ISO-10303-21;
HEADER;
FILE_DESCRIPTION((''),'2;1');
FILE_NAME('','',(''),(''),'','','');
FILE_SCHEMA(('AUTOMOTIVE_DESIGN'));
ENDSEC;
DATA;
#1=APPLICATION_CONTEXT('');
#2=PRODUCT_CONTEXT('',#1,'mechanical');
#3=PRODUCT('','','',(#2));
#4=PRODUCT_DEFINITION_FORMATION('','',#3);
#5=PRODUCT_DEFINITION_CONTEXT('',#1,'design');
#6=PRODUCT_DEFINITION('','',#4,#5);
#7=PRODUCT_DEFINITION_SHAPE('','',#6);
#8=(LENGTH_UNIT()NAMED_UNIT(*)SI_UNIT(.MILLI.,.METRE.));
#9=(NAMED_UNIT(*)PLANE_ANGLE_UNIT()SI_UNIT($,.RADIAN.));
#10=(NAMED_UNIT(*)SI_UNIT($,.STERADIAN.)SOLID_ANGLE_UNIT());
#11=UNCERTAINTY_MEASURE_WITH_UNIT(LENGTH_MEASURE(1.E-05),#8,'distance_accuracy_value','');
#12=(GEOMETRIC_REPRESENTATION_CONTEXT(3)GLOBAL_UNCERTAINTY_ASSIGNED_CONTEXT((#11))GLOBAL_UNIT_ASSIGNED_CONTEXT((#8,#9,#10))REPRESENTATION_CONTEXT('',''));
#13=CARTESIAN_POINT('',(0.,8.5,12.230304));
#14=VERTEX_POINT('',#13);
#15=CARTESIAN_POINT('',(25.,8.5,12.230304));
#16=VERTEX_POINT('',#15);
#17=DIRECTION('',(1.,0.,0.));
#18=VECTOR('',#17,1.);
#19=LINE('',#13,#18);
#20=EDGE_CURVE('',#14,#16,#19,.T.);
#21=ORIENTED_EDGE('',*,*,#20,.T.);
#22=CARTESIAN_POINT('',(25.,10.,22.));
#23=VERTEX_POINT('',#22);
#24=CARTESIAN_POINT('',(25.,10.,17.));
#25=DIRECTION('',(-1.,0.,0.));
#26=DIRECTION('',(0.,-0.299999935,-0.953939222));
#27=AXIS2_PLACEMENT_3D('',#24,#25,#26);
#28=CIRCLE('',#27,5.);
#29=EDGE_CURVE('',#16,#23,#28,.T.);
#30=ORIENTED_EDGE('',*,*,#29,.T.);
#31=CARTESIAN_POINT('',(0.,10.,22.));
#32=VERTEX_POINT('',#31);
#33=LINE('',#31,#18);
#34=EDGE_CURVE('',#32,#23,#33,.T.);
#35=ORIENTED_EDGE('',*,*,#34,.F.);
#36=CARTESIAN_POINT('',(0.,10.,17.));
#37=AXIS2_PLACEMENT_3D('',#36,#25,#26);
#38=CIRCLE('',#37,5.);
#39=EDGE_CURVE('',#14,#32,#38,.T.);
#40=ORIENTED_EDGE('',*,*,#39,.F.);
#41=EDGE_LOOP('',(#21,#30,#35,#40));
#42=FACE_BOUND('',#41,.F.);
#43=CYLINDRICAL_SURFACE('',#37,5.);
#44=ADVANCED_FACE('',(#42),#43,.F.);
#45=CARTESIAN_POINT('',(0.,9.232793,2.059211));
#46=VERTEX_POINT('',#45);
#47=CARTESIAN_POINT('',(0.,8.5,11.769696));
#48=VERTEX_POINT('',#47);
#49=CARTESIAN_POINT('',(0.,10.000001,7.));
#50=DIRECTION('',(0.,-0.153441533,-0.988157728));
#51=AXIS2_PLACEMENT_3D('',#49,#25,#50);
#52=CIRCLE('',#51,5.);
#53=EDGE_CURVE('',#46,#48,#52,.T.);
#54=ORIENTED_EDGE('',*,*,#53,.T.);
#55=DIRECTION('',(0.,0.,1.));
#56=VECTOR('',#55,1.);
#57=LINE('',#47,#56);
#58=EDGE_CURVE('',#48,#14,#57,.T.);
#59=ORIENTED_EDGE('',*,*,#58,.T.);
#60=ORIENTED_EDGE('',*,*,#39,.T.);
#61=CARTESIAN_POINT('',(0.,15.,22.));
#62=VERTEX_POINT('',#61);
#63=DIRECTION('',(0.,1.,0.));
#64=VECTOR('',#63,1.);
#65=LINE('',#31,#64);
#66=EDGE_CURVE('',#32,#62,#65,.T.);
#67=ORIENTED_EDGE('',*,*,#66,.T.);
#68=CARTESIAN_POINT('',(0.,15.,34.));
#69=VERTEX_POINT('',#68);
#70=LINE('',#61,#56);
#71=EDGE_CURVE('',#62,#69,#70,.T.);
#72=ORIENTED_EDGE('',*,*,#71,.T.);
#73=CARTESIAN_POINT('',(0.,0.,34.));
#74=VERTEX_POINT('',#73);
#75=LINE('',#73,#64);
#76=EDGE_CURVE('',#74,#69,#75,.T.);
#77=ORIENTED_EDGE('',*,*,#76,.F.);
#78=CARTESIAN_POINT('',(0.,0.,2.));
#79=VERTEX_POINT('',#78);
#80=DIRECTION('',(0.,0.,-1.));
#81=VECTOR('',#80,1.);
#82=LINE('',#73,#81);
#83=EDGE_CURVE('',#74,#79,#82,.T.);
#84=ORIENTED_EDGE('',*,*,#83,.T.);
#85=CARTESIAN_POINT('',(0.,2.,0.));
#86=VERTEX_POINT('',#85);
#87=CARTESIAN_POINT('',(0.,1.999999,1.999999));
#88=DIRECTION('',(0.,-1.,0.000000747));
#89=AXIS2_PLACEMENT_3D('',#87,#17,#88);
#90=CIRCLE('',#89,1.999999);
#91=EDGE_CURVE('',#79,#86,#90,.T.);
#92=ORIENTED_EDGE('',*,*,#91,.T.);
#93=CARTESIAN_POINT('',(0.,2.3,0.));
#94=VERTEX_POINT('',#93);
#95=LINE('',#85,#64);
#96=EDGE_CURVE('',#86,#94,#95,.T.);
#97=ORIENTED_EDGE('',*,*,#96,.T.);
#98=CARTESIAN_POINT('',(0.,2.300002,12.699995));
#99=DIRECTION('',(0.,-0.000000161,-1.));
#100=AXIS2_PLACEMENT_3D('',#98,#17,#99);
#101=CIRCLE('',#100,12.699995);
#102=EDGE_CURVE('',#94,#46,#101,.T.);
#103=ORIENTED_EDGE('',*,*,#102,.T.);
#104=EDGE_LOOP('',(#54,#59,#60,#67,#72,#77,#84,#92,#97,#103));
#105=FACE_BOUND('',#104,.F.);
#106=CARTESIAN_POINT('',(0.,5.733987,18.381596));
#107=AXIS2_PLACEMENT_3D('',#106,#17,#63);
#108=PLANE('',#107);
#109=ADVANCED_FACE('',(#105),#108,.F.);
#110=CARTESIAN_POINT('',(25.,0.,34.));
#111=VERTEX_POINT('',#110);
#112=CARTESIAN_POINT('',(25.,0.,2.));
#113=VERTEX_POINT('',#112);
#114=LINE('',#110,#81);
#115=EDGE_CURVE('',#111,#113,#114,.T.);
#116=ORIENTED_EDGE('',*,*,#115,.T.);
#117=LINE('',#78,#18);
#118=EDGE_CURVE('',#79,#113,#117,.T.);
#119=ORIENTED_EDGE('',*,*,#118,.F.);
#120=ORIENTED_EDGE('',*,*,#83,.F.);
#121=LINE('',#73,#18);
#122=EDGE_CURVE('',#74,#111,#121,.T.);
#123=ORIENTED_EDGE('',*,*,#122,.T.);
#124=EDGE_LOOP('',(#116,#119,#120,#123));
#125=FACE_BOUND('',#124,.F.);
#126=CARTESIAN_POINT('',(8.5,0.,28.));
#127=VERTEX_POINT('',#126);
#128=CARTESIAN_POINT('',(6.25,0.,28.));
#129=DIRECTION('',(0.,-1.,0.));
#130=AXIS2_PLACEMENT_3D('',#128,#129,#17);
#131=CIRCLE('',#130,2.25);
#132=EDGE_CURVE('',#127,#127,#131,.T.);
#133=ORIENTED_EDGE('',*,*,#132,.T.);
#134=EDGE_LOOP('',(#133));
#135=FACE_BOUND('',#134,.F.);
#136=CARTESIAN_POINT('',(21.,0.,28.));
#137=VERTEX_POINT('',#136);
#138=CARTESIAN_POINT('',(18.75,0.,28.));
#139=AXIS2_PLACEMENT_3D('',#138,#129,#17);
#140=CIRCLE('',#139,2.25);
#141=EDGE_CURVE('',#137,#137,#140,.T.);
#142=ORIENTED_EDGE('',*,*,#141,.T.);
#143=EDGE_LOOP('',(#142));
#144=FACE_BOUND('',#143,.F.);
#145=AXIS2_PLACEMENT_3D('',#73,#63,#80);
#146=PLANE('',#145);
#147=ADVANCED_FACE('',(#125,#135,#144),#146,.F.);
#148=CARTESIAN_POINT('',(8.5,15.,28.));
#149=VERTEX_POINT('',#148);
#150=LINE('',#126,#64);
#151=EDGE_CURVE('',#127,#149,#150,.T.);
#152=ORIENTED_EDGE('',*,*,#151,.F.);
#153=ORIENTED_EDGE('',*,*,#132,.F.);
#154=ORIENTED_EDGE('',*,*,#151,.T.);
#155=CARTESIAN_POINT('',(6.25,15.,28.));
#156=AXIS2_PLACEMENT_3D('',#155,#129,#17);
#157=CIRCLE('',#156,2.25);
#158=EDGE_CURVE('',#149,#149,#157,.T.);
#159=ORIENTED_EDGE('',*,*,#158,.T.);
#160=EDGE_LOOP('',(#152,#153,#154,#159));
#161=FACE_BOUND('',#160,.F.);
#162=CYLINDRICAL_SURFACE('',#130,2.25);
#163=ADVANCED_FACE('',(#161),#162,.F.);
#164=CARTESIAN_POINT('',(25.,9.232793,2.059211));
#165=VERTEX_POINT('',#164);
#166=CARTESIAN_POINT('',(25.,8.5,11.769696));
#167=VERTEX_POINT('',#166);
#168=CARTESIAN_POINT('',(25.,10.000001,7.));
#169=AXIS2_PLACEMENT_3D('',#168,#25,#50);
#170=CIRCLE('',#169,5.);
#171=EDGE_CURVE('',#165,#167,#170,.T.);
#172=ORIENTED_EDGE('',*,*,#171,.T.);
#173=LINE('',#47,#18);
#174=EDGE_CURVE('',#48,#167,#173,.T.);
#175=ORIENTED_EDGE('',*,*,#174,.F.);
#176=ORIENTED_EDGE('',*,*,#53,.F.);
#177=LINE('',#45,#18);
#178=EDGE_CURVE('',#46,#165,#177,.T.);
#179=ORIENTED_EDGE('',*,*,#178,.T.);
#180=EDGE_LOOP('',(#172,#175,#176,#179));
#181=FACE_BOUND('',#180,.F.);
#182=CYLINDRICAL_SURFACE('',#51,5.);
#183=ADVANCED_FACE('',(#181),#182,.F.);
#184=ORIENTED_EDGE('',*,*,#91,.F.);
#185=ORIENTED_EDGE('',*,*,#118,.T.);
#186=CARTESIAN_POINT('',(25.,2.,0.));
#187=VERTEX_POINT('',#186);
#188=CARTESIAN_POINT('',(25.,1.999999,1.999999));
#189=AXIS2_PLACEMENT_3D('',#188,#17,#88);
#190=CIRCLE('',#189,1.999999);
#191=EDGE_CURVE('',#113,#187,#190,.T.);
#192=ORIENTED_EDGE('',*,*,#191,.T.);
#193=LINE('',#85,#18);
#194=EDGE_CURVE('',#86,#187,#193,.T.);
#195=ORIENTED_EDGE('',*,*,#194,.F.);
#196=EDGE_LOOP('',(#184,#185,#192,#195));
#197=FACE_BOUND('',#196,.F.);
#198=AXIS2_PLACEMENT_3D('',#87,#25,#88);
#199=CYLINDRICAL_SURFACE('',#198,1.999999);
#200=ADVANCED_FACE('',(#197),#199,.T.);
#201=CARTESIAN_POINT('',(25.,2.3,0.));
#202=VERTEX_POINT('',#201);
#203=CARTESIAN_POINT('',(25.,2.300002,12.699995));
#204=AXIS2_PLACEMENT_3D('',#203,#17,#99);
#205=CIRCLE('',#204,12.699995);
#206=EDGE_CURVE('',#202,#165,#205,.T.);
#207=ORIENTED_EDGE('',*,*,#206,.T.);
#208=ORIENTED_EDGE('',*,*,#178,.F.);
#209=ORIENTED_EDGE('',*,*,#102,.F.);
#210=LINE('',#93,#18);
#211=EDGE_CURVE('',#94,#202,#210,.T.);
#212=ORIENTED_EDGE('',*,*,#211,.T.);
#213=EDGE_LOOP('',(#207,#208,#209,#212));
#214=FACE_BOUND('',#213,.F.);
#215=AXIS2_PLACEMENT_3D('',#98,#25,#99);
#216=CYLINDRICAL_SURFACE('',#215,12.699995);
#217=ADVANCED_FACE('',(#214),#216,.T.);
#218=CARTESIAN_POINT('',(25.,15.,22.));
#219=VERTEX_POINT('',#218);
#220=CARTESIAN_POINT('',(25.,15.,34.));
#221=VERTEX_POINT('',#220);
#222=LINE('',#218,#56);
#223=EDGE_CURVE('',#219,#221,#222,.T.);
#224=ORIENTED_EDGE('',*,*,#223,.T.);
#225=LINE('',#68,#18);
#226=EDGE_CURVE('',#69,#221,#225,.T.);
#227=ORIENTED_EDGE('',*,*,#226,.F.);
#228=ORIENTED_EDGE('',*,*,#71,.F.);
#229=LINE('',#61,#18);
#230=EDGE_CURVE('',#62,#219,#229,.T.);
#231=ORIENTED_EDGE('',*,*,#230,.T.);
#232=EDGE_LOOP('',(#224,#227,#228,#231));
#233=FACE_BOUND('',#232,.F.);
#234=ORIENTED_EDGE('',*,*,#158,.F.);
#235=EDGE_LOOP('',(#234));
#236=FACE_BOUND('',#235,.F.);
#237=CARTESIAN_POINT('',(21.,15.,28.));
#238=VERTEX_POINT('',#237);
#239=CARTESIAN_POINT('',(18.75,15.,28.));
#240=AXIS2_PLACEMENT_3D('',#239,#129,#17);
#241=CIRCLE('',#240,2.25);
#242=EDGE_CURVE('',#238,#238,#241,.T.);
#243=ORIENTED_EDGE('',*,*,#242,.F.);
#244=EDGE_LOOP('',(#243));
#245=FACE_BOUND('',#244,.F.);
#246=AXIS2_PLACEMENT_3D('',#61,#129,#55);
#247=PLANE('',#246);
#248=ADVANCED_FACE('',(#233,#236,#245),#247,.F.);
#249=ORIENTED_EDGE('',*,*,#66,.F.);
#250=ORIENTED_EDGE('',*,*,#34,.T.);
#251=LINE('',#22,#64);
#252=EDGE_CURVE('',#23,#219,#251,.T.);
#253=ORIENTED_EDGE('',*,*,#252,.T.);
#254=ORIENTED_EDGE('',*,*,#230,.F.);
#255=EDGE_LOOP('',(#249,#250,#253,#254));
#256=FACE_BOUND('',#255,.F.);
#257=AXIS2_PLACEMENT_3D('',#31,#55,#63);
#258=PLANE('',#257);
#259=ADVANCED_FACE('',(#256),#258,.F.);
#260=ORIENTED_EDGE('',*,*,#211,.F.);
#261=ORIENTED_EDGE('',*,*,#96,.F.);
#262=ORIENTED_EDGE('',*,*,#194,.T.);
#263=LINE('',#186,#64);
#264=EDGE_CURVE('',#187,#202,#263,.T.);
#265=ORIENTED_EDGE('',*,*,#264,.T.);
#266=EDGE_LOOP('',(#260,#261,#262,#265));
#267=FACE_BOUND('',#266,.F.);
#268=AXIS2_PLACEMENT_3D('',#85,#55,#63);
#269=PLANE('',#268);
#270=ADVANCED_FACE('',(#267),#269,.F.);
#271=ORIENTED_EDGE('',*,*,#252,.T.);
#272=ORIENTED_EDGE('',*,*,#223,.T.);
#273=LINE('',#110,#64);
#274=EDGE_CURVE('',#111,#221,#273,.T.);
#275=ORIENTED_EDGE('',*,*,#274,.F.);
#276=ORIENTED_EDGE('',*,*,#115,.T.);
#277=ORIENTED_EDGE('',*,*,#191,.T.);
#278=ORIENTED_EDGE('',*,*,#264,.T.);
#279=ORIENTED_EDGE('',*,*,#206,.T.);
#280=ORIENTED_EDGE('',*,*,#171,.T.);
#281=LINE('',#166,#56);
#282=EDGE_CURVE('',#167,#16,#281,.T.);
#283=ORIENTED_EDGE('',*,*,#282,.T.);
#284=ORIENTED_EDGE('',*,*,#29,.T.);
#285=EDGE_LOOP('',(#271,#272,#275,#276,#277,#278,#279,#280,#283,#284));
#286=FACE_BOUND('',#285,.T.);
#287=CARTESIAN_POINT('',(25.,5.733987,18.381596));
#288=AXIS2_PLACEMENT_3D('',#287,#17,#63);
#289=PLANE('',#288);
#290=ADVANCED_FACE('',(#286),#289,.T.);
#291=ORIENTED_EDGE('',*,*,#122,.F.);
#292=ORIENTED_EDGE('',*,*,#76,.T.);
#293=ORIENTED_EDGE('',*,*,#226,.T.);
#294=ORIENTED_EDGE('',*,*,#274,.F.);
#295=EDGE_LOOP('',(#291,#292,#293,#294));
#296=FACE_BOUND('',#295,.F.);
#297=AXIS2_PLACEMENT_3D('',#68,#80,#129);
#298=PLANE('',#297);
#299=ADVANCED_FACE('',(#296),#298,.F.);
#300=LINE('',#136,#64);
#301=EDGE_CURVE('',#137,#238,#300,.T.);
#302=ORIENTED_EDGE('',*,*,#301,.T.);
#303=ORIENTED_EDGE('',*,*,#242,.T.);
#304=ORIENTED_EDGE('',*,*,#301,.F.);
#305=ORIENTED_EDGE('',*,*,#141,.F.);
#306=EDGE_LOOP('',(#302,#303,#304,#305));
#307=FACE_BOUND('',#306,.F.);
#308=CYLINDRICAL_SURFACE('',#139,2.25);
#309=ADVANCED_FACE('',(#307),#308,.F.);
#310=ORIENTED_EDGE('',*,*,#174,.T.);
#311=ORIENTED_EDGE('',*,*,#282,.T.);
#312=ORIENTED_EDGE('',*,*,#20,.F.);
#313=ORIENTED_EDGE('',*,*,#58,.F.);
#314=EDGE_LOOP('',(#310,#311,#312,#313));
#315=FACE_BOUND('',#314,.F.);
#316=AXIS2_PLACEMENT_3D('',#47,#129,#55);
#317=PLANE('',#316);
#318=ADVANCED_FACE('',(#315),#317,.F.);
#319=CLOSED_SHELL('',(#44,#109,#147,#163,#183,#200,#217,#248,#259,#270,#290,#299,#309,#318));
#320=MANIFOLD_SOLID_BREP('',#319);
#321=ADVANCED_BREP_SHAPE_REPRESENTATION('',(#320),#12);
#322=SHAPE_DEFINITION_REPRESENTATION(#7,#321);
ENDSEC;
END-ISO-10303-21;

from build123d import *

# Parameters (mm, degrees)
F1_DEPTH = 25
F2_R     = 2.25
F3_DEPTH = 28.7
F4_R     = 4.25
F4_R_2   = 2.25
F4_W     = 25
F4_H     = 32
F5_DEPTH = 2


with BuildPart() as f1:
    # F0 (on Right) → F1 (new body)
    with BuildSketch(Plane.YZ):
        with BuildLine():
            ThreePointArc((0, 2), (0.585786, 0.585786), (2, 0))
            Line((2, 0), (2.3, 0))
            ThreePointArc((2.3, 0), (5.916074, 0.525682), (9.232793, 2.059211))
            ThreePointArc((9.232793, 2.059211), (5.014177, 6.623749), (8.5, 11.769696))
            Line((8.5, 11.769696), (8.5, 12.230304))
            ThreePointArc((8.5, 12.230304), (5.057911, 17.758788), (10, 22))
            Line((10, 22), (15, 22))
            Line((15, 22), (15, 34))
            Line((15, 34), (0, 34))
            Line((0, 34), (0, 2))
        make_face()
    extrude(amount=F1_DEPTH)

    # F2 (on face) → F3 (cut)
    with BuildSketch(Plane.XZ):
        with Locations((6.25, 28)):
            Circle(F2_R)
        with Locations((18.75, 28)):
            Circle(F2_R)
    extrude(amount=-F3_DEPTH, mode=Mode.SUBTRACT)

    # F4 (on face) → F5 (join)
    with BuildSketch(Plane.XZ):
        with Locations((6.25, 28)):
            Circle(F4_R)
        with Locations((6.25, 28)):
            Circle(F4_R_2, mode=Mode.SUBTRACT)
        with Locations((12.5, 18)):
            Rectangle(F4_W, F4_H)
        with Locations((6.25, 28)):
            Circle(F4_R, mode=Mode.SUBTRACT)
        with Locations((18.75, 28)):
            Circle(F4_R, mode=Mode.SUBTRACT)
    extrude(amount=-F5_DEPTH)


solid = f1.part
